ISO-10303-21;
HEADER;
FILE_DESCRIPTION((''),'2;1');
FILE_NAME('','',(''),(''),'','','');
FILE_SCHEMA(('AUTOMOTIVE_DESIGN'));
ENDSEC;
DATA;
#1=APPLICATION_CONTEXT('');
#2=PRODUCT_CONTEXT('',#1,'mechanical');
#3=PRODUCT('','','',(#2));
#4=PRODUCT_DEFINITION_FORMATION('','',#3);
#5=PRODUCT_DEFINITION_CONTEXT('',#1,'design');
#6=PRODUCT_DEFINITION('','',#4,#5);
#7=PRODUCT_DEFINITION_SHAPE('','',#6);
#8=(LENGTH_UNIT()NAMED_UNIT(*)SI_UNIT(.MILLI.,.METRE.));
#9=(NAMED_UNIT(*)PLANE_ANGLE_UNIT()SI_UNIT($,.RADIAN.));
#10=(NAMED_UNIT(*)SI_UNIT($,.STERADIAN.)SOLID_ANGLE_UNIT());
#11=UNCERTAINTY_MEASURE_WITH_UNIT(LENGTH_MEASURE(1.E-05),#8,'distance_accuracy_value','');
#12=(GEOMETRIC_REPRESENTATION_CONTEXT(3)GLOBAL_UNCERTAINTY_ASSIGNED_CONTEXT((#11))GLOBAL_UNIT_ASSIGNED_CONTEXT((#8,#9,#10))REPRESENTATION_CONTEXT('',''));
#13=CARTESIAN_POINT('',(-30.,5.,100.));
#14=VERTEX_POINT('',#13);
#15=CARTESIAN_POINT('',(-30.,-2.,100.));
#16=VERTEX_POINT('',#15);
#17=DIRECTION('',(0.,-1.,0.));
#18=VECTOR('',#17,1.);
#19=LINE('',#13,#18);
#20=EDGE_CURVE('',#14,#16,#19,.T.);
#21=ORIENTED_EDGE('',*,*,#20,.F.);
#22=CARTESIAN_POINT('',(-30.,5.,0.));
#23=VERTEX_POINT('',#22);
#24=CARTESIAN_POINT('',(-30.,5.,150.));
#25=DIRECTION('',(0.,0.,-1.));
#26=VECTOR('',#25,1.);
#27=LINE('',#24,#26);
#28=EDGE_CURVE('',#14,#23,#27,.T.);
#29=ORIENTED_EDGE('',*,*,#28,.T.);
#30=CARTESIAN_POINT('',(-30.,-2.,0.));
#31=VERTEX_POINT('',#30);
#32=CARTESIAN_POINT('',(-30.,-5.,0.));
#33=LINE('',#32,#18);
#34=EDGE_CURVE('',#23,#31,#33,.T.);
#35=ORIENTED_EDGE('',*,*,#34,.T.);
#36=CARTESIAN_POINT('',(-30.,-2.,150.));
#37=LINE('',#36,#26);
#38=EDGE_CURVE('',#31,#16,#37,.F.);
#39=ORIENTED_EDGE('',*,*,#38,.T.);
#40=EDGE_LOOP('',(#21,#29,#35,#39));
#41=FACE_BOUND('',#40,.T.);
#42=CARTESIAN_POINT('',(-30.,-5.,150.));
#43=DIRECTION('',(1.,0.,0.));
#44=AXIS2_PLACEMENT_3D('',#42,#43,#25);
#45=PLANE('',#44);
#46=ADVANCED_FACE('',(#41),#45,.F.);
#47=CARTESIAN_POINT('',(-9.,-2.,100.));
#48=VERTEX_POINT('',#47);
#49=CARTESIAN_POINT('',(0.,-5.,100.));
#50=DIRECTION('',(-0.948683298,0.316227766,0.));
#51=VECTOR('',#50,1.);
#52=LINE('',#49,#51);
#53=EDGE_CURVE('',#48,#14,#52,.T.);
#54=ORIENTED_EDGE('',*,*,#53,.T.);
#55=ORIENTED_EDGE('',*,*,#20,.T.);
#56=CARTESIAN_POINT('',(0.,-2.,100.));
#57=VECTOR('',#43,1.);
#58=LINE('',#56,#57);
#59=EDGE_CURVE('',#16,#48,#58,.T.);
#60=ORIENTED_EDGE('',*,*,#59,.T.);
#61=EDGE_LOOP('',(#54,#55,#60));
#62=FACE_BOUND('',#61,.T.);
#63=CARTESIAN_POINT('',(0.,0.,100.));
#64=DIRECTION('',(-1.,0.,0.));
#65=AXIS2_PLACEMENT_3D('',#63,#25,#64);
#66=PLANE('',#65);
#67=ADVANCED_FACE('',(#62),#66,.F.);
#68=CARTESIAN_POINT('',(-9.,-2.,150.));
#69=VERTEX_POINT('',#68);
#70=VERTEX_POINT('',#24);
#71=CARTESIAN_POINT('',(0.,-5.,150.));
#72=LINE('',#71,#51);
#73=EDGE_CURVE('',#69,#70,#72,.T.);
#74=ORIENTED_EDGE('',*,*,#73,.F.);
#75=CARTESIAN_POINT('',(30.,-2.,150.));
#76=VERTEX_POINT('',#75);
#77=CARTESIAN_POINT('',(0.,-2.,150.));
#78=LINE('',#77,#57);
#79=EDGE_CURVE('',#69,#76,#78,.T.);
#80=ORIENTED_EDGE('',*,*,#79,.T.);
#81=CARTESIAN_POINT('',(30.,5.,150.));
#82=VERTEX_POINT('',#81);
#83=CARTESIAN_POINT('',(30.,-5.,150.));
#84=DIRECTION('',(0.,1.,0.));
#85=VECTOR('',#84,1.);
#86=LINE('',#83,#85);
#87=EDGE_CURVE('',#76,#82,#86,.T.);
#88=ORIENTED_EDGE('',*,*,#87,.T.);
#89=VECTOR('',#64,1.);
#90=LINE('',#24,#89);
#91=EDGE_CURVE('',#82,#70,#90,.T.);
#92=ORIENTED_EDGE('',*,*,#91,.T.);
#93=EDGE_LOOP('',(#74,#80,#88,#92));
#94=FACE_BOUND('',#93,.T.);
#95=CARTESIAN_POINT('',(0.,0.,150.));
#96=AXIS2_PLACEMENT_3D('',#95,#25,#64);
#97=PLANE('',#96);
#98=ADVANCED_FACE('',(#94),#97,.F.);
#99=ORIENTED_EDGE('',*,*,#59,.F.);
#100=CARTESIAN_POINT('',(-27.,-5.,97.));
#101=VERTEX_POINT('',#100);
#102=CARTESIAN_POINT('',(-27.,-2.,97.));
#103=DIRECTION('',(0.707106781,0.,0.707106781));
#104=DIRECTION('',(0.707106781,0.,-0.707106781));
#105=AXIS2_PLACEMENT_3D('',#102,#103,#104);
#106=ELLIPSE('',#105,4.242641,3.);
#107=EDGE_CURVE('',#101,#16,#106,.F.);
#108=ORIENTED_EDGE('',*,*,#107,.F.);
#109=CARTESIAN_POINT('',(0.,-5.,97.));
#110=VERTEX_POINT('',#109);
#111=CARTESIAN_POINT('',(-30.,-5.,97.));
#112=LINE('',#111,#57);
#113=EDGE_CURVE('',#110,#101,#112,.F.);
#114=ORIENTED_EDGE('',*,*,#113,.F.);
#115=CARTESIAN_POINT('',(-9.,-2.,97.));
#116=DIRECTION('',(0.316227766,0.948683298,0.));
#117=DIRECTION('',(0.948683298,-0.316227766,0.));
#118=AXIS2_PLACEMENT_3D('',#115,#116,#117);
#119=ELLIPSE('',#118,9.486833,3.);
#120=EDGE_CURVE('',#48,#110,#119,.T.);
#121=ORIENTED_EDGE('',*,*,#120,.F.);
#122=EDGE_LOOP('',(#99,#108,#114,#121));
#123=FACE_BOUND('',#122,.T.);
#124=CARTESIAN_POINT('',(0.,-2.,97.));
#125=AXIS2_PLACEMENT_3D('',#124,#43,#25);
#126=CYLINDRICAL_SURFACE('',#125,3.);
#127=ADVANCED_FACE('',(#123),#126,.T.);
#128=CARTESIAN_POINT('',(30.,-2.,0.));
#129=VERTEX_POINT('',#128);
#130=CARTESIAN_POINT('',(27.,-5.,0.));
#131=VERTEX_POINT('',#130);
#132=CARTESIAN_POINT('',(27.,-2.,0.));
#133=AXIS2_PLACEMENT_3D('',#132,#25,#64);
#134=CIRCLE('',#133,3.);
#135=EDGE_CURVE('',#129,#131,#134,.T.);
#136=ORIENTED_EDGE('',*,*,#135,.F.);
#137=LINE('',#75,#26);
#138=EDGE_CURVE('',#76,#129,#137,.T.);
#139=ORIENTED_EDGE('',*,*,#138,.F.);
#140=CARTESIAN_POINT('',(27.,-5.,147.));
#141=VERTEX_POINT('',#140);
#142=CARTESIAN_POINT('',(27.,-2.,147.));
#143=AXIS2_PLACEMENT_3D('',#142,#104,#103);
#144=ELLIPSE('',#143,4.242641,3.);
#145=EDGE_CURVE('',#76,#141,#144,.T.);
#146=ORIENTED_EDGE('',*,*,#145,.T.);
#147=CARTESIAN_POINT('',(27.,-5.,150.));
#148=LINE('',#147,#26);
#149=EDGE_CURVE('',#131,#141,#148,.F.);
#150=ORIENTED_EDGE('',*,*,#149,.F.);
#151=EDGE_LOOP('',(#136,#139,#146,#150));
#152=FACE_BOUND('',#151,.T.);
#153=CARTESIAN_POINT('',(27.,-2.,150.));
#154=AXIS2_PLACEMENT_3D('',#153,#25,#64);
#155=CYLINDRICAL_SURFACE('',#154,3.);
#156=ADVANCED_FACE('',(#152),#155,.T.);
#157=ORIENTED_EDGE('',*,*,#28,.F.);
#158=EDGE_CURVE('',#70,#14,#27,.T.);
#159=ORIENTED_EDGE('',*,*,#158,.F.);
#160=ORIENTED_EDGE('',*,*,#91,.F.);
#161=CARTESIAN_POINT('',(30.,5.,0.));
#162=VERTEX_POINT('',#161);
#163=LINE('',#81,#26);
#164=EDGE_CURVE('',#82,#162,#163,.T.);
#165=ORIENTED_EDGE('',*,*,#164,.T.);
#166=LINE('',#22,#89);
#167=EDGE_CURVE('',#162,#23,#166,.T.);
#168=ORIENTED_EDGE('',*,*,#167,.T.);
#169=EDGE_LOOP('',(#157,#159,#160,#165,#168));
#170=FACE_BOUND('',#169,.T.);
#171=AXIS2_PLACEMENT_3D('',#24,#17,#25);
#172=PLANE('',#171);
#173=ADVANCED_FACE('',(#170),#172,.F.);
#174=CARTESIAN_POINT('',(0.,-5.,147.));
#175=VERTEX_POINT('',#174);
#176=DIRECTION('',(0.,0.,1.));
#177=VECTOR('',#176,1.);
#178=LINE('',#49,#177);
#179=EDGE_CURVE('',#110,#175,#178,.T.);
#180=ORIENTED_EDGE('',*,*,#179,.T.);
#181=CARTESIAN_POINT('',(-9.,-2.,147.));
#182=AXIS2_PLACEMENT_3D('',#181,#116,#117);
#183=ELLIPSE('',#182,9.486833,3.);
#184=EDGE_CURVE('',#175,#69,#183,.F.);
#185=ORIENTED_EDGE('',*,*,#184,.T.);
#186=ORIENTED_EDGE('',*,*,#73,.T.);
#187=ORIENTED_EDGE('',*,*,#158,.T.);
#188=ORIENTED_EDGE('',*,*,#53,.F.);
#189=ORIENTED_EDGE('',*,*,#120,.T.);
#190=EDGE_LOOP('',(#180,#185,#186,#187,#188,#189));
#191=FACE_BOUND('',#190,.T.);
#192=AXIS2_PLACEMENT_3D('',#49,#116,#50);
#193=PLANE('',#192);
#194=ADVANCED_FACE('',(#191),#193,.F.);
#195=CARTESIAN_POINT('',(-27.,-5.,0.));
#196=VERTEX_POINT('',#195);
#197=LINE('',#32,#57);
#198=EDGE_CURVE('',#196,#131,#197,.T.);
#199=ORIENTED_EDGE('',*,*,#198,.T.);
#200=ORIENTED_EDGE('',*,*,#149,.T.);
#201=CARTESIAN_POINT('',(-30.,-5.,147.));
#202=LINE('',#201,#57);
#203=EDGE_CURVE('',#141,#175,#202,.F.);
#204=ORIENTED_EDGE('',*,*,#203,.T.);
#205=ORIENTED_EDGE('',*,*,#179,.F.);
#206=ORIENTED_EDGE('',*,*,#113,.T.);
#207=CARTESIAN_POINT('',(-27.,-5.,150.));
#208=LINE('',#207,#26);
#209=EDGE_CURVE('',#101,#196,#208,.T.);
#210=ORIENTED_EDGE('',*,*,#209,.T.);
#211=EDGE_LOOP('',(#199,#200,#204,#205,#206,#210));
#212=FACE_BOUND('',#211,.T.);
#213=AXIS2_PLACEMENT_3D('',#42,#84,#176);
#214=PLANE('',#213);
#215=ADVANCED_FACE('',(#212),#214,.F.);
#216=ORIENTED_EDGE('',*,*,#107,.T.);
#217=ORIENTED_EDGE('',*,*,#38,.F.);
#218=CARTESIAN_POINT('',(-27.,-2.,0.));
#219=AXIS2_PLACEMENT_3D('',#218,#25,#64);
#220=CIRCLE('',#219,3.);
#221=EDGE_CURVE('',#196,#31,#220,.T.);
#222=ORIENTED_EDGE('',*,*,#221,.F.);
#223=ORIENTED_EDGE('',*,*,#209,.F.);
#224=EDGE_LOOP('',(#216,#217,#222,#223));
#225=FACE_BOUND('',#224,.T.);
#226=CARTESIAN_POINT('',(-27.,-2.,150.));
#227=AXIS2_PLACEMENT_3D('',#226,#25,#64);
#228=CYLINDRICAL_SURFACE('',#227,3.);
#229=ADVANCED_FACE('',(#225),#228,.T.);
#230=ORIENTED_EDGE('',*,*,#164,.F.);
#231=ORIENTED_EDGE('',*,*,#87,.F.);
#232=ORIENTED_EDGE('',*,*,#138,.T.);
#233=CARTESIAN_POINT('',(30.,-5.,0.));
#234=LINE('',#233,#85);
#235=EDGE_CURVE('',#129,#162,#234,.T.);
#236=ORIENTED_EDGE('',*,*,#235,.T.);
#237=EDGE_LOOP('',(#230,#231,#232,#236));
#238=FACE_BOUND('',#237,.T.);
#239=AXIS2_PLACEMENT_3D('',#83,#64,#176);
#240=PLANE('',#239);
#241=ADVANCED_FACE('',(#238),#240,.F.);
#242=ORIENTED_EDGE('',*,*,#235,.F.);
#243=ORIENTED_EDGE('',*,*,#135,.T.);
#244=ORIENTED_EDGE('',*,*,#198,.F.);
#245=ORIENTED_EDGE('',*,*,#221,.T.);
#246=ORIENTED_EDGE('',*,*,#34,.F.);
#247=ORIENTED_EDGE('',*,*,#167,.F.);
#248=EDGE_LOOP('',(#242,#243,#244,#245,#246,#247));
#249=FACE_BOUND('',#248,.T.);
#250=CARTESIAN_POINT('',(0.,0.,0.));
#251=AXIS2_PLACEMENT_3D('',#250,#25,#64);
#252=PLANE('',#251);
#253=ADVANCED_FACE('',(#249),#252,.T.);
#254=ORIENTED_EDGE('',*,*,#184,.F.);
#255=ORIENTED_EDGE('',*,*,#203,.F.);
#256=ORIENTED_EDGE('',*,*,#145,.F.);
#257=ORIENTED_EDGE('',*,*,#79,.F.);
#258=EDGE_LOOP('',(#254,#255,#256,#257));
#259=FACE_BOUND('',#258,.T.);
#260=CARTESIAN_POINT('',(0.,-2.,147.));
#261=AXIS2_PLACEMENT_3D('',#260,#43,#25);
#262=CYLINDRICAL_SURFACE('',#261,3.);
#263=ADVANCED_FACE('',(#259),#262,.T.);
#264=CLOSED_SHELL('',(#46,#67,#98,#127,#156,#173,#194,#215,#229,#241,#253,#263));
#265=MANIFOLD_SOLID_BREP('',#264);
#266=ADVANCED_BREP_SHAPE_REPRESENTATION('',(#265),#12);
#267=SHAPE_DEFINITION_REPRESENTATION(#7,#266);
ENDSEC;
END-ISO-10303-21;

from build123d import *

# Parameters (mm, degrees)
SKETCH1_W           = 60
SKETCH1_H           = 10
BOSS_EXTRUDE1_DEPTH = 150
CUT_EXTRUDE1_DEPTH  = 50
FILLET1_R           = 3


with BuildPart() as part:
    # Sketch1 → Boss-Extrude1 (new body)
    with BuildSketch(Plane.XY):
        Rectangle(SKETCH1_W, SKETCH1_H)
    extrude(amount=BOSS_EXTRUDE1_DEPTH)

    # Sketch2 → Cut-Extrude1 (cut)
    with BuildSketch(Plane.XY.offset(150)):
        Polygon((-30, 5), (-30, -5), (0, -5), align=None)
    extrude(amount=-CUT_EXTRUDE1_DEPTH, mode=Mode.SUBTRACT)

    # Fillet1
    fillet1_edges = [part.edges().sort_by_distance(p)[0] for p in [
        (15, -5, 150),
        (-30, -5, 50),
        (-15, -5, 100),
        (30, -5, 75),
    ]]
    fillet(fillet1_edges, radius=FILLET1_R)


solid = part.part
